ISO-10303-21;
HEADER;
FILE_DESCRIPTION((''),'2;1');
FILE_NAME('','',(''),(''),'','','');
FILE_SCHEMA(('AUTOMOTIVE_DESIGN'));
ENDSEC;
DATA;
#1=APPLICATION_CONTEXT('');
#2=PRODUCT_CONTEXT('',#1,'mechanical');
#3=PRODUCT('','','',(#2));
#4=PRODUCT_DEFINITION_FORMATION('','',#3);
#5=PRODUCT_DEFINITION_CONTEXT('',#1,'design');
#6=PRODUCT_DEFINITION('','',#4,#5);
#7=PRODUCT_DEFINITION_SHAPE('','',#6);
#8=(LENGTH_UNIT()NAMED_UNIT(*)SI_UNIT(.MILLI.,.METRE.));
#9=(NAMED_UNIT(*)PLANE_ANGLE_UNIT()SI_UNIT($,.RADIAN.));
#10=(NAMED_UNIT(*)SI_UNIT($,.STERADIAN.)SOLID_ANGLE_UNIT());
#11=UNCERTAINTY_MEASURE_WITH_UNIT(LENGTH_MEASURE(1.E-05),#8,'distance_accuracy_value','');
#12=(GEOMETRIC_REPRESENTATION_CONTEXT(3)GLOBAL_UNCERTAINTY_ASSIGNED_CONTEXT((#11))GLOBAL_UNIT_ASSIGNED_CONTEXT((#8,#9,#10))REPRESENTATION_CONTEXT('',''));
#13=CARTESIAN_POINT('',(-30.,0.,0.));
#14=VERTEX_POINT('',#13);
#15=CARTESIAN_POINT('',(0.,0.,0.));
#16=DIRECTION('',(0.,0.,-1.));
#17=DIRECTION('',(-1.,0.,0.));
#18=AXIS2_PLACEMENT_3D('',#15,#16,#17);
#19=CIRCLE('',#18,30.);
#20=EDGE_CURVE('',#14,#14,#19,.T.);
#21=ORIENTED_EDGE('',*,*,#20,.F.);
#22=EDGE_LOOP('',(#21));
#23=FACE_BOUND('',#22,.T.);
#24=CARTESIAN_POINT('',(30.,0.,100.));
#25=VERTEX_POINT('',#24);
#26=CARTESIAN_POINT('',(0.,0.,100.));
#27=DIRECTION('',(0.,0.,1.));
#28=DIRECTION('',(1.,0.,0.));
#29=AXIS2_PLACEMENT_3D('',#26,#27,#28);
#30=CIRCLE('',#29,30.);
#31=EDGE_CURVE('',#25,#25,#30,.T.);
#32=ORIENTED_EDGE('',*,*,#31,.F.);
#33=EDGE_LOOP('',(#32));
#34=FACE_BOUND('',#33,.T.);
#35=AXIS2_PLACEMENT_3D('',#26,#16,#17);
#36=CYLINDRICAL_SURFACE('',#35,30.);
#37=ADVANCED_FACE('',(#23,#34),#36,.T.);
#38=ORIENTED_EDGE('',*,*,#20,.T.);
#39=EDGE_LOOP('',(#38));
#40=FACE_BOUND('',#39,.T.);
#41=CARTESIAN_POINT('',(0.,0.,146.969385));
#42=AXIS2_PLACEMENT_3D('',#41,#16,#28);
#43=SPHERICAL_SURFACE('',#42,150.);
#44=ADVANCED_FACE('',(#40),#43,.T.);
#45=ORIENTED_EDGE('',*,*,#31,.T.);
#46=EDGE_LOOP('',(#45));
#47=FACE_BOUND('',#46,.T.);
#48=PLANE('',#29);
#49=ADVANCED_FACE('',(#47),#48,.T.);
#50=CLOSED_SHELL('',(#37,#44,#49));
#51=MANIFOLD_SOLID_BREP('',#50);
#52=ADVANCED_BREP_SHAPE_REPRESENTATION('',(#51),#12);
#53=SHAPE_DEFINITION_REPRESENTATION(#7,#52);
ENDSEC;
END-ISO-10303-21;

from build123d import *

# Parameters (mm, degrees)
SKETCH1_R           = 30
BOSS_EXTRUDE1_DEPTH = 100


with BuildPart() as part:
    # Sketch1 → Boss-Extrude1 (new body)
    with BuildSketch(Plane.XY):
        Circle(SKETCH1_R)
    extrude(amount=BOSS_EXTRUDE1_DEPTH)

    # Sketch2 → Revolve1 (revolve)
    with BuildSketch(Plane(origin=(0, 0, 0), x_dir=(1, 0, 0), z_dir=(0, 1, 0)), mode=Mode.PRIVATE) as revolve1_sk:
        with BuildLine():
            Line((0, 0), (30, 0))
            ThreePointArc((30, 0), (15.076344301, 2.271038384), (0, 3.030615433))
            Line((0, 3.030615433), (0, 0))
        make_face()
    revolve(revolve1_sk.sketch.rotate(Axis((0, 0, -3.030615433), (0, 0, 1)), 180), axis=Axis((0, 0, -3.030615433), (0, 0, 1)))


solid = part.part
